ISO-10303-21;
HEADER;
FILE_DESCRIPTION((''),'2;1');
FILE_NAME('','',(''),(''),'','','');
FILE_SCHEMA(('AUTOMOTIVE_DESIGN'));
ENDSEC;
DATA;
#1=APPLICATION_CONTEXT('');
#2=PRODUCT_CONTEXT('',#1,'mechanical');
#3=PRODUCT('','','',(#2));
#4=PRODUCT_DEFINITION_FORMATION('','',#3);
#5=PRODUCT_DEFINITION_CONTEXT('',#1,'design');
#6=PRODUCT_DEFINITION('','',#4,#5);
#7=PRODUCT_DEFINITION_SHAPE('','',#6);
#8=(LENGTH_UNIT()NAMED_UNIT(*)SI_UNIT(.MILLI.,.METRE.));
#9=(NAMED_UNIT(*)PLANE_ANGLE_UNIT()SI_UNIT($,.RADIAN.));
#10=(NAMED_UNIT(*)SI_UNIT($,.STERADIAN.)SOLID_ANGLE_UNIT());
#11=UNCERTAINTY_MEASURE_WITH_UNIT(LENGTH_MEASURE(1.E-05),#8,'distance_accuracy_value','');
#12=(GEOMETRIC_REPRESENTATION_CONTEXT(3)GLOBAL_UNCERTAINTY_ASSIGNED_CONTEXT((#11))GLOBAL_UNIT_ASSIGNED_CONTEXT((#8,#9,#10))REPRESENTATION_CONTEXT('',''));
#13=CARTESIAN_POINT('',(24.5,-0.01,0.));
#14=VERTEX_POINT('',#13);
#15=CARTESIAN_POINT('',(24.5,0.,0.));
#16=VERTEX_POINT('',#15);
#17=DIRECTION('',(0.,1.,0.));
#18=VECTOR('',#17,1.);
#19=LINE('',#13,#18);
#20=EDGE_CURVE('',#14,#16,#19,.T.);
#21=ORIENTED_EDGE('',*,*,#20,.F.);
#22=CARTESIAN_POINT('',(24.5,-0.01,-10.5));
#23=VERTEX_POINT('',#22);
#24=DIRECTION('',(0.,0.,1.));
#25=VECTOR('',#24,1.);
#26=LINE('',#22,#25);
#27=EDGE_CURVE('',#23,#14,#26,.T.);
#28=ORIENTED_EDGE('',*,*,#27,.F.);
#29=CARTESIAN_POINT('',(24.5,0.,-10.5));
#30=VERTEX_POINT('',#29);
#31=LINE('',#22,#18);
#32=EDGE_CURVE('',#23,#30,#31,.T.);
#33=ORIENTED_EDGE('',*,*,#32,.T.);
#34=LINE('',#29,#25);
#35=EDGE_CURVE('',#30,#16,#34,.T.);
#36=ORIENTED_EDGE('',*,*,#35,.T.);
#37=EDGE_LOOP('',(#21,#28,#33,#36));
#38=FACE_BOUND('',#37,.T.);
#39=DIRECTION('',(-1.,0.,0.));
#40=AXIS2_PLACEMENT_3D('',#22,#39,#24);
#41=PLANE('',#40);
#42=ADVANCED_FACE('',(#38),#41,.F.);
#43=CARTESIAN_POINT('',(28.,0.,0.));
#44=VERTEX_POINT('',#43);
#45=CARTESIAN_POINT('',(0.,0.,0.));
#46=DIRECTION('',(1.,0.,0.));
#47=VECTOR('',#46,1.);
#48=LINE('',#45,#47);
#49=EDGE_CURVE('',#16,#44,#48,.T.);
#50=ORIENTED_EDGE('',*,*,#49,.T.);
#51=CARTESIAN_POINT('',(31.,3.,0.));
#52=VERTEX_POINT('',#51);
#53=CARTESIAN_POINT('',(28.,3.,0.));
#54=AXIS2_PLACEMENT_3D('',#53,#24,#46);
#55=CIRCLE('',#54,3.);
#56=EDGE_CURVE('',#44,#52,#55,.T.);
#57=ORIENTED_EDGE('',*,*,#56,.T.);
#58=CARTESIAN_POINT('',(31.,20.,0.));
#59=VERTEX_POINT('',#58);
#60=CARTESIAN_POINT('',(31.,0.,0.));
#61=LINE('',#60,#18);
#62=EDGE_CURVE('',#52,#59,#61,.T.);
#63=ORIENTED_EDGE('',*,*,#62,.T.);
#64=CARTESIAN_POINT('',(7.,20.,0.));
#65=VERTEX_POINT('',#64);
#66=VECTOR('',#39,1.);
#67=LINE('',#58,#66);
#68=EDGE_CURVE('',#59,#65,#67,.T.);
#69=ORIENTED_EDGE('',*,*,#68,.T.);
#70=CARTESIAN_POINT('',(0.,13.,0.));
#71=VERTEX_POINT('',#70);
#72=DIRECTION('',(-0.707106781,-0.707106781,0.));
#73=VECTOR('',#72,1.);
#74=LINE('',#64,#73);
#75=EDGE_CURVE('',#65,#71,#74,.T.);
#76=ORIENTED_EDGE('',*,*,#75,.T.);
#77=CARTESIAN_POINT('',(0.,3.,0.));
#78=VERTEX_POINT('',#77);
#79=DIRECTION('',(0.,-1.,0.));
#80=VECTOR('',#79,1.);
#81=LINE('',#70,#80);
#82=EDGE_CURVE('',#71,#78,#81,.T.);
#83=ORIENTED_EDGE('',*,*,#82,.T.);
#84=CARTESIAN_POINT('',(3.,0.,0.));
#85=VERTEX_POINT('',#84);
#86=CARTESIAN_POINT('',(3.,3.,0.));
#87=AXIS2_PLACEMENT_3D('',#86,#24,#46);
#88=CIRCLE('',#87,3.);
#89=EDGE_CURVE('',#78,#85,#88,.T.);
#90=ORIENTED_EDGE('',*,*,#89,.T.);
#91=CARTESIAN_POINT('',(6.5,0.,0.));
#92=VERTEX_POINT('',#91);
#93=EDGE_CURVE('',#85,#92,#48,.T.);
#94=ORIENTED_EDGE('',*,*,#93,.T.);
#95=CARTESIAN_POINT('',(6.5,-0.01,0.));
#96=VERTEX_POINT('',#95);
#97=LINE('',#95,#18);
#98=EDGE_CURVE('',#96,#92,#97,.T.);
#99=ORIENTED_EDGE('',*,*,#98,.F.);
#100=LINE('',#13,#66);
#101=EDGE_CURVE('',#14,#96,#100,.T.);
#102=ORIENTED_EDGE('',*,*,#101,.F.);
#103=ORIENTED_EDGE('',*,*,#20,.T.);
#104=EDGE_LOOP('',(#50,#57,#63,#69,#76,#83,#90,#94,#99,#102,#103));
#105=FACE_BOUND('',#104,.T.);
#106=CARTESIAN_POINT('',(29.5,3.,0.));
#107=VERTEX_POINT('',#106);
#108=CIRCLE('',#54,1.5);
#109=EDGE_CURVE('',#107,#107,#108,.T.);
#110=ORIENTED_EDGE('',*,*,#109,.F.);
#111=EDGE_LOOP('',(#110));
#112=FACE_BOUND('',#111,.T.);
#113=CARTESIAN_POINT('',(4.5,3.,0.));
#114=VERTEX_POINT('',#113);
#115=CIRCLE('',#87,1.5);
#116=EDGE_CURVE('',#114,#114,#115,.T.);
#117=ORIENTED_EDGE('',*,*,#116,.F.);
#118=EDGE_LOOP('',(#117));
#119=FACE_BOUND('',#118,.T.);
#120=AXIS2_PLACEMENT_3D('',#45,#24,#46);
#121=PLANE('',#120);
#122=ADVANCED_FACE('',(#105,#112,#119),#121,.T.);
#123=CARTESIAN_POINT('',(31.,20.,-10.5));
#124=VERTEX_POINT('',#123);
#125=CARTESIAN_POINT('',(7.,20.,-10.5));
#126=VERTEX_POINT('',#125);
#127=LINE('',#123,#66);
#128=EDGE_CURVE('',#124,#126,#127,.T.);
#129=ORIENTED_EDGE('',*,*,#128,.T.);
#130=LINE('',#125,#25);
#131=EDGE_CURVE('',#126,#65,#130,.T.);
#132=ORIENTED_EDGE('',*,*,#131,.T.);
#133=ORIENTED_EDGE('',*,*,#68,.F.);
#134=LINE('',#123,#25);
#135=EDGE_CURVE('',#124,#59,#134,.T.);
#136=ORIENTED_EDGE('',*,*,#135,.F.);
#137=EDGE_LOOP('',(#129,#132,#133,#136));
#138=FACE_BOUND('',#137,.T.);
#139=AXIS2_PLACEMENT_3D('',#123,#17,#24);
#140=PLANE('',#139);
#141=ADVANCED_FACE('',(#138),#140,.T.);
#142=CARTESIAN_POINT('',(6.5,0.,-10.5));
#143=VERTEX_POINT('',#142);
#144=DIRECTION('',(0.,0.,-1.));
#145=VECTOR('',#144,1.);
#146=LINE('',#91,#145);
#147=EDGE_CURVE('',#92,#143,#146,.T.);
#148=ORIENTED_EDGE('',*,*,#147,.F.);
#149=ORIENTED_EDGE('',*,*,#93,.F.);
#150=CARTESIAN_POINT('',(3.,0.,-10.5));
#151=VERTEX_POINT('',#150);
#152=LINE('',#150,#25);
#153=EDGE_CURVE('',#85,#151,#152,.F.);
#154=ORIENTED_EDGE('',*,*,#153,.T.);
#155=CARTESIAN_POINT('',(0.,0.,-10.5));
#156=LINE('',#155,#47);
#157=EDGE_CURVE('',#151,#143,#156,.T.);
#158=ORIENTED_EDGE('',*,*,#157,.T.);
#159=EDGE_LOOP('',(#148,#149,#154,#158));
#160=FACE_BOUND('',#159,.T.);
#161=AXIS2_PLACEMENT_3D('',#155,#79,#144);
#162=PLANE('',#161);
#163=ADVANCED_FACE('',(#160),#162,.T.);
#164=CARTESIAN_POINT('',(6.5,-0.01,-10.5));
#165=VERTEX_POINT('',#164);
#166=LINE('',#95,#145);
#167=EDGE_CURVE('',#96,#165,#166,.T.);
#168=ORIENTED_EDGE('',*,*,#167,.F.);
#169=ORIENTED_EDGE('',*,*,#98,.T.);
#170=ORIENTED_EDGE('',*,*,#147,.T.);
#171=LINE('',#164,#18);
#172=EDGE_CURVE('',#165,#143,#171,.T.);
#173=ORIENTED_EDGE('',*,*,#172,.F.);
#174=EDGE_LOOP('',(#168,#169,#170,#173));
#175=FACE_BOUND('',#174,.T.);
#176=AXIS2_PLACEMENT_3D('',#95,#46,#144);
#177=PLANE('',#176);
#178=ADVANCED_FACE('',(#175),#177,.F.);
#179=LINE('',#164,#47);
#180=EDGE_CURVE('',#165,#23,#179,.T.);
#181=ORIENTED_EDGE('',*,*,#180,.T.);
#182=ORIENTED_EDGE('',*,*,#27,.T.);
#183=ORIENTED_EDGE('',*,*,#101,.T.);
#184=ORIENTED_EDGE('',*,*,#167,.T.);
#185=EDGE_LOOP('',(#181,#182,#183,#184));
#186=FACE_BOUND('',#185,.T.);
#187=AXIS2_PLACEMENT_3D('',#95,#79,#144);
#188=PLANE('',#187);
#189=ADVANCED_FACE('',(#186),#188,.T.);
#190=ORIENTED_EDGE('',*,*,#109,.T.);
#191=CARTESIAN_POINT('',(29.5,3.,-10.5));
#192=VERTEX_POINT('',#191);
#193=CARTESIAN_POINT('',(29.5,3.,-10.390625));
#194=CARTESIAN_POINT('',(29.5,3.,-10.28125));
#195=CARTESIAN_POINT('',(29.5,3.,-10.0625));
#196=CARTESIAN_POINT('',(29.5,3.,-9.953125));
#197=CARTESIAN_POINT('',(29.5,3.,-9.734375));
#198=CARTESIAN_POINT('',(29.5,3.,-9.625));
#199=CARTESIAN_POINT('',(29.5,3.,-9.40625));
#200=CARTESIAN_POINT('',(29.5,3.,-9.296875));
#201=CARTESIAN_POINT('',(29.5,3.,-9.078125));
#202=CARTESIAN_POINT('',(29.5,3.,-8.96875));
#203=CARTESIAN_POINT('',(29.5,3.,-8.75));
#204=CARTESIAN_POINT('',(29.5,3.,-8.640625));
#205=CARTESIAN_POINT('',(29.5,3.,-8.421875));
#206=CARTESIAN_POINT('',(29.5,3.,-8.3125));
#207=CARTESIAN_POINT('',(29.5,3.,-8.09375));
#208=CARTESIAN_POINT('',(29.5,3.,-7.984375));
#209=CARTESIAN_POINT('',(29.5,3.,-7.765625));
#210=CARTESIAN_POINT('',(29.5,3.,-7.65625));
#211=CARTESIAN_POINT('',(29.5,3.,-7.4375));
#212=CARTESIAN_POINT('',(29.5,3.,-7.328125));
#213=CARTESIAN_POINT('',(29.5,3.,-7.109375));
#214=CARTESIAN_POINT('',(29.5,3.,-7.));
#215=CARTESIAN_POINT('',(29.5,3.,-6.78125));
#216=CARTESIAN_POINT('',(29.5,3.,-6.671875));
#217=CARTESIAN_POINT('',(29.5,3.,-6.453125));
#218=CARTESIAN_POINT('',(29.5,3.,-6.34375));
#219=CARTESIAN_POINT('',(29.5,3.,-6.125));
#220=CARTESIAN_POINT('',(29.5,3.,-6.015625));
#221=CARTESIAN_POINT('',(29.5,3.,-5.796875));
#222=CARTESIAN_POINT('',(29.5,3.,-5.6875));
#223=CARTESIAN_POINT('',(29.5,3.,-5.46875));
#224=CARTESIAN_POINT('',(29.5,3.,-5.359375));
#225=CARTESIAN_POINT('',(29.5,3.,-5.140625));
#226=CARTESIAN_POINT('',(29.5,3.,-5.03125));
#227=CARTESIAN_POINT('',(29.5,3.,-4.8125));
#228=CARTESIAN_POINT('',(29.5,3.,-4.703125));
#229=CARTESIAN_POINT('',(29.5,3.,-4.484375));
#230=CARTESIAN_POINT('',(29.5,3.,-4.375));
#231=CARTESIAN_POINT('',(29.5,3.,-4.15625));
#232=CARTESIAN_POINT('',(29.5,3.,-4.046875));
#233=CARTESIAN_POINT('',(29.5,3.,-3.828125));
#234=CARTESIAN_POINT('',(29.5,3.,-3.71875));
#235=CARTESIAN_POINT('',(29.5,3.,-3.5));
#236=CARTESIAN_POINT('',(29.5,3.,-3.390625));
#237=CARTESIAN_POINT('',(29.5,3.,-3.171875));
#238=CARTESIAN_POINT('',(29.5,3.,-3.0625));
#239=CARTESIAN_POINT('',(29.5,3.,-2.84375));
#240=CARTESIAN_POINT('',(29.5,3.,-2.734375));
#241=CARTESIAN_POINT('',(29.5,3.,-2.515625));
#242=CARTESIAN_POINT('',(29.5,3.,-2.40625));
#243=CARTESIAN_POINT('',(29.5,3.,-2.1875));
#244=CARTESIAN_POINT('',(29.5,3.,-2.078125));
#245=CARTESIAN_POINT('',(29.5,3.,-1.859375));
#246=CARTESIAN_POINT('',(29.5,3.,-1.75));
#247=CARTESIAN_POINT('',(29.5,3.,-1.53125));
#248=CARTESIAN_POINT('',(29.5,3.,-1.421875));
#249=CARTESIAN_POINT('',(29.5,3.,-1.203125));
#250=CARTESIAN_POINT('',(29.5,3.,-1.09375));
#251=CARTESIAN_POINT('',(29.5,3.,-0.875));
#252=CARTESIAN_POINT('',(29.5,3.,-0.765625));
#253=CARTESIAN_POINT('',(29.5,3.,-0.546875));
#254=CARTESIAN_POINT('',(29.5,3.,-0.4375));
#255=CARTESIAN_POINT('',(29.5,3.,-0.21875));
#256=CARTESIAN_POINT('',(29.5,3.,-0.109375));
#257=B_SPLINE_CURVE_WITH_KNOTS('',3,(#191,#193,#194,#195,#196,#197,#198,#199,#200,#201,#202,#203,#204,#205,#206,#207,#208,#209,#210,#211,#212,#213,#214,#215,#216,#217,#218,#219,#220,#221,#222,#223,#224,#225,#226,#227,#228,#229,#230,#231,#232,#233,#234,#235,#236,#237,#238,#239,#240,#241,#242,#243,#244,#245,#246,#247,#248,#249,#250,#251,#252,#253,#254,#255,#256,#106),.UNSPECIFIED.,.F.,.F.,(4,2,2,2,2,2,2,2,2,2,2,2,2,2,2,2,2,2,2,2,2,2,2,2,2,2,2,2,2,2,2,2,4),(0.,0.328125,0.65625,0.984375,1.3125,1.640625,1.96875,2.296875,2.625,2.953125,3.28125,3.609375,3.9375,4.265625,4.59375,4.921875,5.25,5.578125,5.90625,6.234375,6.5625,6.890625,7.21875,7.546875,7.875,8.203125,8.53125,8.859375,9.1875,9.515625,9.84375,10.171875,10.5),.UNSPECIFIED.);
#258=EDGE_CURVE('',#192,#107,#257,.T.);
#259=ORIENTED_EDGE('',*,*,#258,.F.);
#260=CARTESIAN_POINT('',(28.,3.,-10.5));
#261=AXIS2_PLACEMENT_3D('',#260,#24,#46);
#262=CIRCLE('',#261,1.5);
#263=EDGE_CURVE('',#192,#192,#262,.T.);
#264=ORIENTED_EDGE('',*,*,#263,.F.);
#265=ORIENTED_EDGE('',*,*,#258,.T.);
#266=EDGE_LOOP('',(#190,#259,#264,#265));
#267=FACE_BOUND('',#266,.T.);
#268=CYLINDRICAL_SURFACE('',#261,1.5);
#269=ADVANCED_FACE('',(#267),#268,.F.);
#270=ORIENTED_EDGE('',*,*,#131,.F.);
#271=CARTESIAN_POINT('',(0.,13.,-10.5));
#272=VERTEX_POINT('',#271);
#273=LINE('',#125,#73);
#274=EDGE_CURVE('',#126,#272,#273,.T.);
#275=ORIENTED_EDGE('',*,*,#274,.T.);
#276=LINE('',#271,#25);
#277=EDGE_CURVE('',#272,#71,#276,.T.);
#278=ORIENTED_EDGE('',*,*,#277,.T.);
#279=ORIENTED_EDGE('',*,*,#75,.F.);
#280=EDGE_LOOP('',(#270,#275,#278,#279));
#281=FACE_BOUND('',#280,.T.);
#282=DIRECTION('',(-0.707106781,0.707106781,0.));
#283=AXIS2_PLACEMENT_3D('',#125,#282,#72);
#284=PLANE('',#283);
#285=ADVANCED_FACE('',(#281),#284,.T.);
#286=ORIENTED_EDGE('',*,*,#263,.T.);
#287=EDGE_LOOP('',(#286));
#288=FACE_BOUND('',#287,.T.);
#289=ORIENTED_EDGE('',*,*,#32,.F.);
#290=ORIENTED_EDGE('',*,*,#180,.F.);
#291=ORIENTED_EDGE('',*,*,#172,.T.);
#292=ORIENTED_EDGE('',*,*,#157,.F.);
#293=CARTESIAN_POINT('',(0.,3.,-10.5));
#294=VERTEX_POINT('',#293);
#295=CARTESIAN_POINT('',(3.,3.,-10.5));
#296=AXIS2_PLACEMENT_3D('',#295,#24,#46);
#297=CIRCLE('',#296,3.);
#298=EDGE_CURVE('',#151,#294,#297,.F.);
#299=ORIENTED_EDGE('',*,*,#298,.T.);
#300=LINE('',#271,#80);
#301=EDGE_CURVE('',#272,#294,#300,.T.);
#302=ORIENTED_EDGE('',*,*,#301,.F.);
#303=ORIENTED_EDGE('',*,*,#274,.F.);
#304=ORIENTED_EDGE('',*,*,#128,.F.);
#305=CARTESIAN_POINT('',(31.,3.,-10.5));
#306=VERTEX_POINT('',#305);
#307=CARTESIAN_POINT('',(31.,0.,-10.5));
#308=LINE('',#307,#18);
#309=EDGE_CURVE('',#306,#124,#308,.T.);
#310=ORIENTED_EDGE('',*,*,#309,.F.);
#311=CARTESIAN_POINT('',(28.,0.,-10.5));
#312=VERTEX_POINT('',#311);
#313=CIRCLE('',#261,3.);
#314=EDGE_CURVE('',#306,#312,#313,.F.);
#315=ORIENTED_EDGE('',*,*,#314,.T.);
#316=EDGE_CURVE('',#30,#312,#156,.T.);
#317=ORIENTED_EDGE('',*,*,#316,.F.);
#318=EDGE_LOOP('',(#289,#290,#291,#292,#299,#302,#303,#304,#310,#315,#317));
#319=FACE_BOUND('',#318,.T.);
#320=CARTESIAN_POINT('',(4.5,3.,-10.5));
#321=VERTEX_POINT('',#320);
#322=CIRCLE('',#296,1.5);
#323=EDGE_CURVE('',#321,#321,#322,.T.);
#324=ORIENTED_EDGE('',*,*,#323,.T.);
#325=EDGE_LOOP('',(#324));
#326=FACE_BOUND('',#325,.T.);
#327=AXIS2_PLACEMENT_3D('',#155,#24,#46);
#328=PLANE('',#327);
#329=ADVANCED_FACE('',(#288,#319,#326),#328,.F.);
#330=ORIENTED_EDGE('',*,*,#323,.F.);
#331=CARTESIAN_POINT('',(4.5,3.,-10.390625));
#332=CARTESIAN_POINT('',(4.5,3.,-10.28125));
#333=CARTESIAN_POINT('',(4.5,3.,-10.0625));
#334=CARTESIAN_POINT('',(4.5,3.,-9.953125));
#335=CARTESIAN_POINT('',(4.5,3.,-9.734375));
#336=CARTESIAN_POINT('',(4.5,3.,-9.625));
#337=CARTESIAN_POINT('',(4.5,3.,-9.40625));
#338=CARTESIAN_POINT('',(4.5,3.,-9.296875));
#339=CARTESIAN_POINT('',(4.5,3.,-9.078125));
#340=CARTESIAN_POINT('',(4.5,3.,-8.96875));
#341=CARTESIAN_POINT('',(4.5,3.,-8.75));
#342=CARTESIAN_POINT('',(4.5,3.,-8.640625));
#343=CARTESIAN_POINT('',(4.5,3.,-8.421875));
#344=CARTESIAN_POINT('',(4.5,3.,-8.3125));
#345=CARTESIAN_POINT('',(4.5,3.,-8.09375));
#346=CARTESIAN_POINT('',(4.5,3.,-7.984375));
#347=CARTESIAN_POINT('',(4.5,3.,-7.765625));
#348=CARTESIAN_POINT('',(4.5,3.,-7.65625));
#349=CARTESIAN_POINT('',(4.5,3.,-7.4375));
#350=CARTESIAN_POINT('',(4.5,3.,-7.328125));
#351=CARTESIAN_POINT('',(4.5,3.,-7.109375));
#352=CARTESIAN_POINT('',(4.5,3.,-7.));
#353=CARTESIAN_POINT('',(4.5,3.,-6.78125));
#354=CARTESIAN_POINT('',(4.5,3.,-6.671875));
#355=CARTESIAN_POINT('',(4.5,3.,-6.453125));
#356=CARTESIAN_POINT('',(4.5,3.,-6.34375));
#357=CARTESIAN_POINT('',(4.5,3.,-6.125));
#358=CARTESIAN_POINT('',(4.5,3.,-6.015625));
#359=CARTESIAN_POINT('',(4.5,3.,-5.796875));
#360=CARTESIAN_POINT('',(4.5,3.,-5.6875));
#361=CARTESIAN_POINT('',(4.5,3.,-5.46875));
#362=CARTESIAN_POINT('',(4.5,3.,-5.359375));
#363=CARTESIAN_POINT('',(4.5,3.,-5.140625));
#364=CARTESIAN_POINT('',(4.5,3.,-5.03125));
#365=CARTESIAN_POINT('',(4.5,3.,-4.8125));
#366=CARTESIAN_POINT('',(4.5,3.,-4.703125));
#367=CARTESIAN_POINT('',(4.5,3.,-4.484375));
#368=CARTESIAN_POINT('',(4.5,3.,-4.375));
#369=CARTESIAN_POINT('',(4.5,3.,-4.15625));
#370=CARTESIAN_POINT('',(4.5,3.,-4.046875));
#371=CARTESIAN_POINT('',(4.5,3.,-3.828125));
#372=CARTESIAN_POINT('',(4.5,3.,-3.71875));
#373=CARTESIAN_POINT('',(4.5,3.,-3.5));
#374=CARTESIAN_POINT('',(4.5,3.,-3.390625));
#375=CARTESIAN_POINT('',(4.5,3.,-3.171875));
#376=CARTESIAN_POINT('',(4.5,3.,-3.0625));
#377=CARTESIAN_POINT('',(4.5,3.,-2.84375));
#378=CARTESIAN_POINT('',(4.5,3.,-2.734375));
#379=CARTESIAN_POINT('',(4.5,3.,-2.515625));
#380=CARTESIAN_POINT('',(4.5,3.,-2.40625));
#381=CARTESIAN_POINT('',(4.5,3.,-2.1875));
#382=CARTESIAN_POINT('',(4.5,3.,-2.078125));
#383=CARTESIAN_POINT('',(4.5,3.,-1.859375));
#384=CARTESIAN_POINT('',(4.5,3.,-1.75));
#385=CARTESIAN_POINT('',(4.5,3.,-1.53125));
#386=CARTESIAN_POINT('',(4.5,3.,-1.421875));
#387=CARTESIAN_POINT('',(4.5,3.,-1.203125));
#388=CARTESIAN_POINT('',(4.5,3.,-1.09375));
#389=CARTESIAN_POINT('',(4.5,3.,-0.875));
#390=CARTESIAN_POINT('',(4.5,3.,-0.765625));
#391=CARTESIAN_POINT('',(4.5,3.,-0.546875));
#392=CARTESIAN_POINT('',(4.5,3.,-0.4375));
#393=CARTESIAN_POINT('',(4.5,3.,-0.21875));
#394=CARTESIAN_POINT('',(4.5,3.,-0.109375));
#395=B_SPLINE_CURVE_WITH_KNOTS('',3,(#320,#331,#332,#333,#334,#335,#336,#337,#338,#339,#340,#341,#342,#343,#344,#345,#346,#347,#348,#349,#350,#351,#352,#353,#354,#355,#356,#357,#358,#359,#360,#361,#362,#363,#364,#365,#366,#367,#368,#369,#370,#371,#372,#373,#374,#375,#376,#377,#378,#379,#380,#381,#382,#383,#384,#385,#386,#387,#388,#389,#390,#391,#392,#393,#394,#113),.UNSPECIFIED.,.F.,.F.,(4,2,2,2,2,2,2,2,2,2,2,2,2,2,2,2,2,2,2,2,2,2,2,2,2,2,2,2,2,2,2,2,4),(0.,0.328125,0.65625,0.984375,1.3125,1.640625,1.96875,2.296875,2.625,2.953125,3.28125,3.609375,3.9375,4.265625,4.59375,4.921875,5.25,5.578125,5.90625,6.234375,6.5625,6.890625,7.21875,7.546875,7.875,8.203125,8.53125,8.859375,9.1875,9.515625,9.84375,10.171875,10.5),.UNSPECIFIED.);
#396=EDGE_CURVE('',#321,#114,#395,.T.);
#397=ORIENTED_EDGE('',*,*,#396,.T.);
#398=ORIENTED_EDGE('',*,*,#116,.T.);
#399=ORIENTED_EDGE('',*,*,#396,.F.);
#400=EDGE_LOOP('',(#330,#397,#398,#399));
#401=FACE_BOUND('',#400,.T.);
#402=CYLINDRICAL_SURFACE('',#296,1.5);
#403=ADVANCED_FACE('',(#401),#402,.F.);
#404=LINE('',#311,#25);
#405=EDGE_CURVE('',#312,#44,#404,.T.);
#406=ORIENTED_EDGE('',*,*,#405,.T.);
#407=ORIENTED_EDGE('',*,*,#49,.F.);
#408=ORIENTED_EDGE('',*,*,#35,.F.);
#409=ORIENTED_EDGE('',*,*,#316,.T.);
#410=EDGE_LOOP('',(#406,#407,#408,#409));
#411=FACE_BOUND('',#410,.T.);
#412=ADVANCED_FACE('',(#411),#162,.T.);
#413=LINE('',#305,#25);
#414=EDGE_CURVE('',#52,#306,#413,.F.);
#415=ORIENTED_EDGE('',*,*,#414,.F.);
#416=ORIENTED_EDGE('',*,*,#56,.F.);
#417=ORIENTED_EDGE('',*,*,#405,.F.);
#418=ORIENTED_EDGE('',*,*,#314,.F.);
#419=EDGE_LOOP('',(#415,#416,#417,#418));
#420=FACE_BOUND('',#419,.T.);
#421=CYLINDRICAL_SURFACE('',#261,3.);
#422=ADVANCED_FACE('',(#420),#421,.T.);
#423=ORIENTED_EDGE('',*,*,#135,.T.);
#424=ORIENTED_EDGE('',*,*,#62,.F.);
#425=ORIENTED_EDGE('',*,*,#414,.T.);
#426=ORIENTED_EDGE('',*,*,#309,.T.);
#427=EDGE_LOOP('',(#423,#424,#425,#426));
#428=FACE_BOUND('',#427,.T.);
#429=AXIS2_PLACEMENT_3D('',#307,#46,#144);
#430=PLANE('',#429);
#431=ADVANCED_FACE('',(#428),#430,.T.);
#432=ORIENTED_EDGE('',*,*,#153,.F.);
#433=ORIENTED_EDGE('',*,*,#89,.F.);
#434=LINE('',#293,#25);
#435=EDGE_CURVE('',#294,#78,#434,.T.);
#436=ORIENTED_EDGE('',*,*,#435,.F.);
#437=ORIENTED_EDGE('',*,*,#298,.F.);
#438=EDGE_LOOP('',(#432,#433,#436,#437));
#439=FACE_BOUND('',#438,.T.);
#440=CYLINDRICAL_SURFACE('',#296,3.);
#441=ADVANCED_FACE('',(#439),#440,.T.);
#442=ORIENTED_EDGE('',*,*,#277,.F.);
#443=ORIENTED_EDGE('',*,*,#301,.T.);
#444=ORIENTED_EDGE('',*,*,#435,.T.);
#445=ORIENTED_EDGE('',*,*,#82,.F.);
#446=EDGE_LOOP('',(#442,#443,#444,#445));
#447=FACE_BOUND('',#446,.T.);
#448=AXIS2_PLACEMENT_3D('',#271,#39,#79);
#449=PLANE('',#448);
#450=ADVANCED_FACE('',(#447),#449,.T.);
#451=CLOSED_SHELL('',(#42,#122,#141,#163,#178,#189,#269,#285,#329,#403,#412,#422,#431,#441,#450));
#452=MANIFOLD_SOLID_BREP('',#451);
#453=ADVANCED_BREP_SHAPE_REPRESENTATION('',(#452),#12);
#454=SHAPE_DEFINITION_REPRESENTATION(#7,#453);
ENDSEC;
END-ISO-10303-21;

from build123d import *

# Parameters (mm, degrees)
BOSS_EXTRU_1_DEPTH      = 10.5
ESQUISSE2_R             = 1.5
ENL_V_MAT_EXTRU_1_DEPTH = 39.356876828
CONG_1_R                = 3
ESQUISSE3_W             = 18
ESQUISSE3_H             = 10.5
BOSS_EXTRU_2_DEPTH      = 0.01


with BuildPart() as part:
    # Esquisse1 → Boss.-Extru.1 (new body)
    with BuildSketch(Plane.XY):
        Polygon((0, 0), (31, 0), (31, 20), (7, 20), (0, 13), align=None)
    extrude(amount=-BOSS_EXTRU_1_DEPTH)

    # Esquisse2 → Enlèv. mat.-Extru.1 (cut, through all)
    with BuildSketch(Plane.XY):
        with Locations((3, 3)):
            Circle(ESQUISSE2_R)
        with Locations((28, 3)):
            Circle(ESQUISSE2_R)
    extrude(amount=-ENL_V_MAT_EXTRU_1_DEPTH, mode=Mode.SUBTRACT)

    # Congé1
    cong_1_edges = [part.edges().sort_by_distance(p)[0] for p in [
        (31, 0, -5.25),
        (0, 0, -5.25),
    ]]
    fillet(cong_1_edges, radius=CONG_1_R)

    # Esquisse3 → Boss.-Extru.2 (add)
    with BuildSketch(Plane.XZ):
        with Locations((15.5, -5.25)):
            Rectangle(ESQUISSE3_W, ESQUISSE3_H)
    extrude(amount=BOSS_EXTRU_2_DEPTH)


solid = part.part
